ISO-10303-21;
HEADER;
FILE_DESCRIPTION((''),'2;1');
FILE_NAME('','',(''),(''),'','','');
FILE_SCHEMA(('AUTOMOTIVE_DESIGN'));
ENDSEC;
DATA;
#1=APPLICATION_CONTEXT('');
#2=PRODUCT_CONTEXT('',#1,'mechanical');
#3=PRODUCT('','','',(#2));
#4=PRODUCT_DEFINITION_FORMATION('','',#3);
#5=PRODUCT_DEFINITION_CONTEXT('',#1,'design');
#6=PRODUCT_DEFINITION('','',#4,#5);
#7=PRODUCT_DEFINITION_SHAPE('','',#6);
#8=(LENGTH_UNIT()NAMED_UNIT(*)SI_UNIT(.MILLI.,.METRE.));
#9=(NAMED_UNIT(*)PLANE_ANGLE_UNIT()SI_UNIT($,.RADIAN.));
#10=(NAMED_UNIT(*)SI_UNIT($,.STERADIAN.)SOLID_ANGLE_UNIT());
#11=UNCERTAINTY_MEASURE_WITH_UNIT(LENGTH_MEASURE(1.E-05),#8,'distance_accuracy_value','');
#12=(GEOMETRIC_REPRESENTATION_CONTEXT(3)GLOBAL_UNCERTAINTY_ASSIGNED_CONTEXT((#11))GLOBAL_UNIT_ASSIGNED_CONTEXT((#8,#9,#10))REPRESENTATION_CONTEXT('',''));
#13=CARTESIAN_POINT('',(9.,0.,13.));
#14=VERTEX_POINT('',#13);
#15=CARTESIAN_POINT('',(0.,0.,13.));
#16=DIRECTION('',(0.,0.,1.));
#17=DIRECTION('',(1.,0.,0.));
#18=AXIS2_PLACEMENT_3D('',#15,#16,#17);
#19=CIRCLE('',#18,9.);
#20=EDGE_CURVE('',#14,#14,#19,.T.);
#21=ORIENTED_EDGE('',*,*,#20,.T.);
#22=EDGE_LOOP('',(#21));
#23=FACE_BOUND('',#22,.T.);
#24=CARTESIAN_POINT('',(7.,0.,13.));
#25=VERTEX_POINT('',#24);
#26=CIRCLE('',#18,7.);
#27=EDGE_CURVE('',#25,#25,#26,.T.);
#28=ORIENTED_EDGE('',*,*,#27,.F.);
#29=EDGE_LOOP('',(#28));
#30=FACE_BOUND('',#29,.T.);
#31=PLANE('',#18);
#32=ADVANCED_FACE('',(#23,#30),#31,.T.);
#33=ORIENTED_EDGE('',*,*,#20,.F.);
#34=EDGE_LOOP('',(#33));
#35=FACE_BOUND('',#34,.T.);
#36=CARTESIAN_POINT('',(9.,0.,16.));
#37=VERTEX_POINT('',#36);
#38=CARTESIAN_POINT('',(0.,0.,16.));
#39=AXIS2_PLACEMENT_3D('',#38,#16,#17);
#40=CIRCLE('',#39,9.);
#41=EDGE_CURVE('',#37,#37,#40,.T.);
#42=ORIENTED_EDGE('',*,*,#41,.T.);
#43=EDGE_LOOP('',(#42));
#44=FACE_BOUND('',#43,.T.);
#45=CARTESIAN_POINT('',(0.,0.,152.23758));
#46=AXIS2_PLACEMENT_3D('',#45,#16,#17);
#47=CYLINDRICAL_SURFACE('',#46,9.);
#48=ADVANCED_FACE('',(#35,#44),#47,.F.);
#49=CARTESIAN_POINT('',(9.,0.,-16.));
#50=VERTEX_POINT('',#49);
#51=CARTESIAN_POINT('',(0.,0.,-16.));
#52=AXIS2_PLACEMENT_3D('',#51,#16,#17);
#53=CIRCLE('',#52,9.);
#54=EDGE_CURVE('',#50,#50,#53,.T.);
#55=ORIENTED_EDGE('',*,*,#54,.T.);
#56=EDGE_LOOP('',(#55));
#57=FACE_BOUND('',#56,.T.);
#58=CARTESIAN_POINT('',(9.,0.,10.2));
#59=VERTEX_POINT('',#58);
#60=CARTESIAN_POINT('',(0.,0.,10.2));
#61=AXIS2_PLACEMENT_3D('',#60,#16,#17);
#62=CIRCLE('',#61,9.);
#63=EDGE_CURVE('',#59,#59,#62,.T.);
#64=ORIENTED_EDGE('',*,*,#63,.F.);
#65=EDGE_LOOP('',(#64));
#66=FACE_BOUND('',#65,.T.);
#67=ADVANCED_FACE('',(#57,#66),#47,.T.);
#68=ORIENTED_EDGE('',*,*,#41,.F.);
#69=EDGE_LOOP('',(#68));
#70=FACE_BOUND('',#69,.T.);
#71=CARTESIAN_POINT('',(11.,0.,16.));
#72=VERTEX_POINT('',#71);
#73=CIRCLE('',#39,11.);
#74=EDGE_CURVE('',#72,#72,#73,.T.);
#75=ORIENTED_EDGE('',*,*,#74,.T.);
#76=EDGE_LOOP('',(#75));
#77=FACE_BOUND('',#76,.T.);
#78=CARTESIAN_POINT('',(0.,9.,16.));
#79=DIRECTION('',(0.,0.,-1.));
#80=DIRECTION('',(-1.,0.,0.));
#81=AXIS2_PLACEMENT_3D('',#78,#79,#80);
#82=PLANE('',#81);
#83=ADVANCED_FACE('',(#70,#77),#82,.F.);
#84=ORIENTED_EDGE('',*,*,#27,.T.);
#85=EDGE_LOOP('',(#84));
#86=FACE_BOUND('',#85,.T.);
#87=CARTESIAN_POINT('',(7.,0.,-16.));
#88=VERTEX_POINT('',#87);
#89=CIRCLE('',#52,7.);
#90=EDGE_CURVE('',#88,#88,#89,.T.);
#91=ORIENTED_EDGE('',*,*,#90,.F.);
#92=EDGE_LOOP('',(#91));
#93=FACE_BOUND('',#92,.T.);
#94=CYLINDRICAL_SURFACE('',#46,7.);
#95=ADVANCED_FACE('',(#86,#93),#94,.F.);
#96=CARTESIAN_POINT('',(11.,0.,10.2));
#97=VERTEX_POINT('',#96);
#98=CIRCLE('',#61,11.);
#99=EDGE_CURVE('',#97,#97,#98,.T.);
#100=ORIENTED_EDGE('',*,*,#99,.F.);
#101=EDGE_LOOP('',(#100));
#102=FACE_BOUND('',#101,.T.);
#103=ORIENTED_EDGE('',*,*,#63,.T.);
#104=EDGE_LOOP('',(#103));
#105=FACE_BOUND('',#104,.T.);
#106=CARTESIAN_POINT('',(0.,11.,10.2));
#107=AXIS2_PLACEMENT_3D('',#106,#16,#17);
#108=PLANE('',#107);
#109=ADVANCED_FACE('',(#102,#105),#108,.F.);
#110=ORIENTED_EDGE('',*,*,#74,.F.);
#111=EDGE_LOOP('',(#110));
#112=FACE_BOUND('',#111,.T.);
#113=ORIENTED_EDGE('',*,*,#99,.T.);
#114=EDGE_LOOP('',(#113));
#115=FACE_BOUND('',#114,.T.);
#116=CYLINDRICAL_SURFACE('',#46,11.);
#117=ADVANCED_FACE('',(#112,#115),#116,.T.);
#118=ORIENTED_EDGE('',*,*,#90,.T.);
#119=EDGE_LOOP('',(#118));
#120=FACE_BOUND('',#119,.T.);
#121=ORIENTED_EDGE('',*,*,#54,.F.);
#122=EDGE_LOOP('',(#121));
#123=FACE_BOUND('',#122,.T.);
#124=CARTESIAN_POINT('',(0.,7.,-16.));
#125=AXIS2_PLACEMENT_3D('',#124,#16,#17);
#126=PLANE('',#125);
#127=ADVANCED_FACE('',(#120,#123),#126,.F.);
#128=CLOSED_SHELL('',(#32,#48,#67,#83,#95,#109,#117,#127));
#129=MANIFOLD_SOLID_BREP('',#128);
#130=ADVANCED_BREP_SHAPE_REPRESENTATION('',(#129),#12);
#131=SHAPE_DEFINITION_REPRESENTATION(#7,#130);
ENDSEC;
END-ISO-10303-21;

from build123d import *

# Parameters (mm, degrees)
SKETCH3_R           = 9
SKETCH3_R_2         = 7
BOSS_EXTRUDE1_DEPTH = 0.8


with BuildPart() as part:
    # Sketch2 → Revolve1 (revolve)
    with BuildSketch(Plane(origin=(0, 0, 0), x_dir=(0, 0, -1), z_dir=(1, 0, 0)), mode=Mode.PRIVATE) as revolve1_sk:
        Polygon((-16, 11), (-10.2, 11), (-10.2, 9), (16, 9), (16, 7), (-12.2, 7), (-12.2, 9), (-16, 9), align=None)
    revolve(revolve1_sk.sketch.rotate(Axis((0, 0, 152.237580052), (0, 0, -1)), 90), axis=Axis((0, 0, 152.237580052), (0, 0, -1)))  # turned: the seam where the file's is

    # Sketch3 → Boss-Extrude1 (add)
    with BuildSketch(Plane.XY.offset(12.2)):
        Circle(SKETCH3_R)
        Circle(SKETCH3_R_2, mode=Mode.SUBTRACT)
    extrude(amount=BOSS_EXTRUDE1_DEPTH)


solid = part.part
